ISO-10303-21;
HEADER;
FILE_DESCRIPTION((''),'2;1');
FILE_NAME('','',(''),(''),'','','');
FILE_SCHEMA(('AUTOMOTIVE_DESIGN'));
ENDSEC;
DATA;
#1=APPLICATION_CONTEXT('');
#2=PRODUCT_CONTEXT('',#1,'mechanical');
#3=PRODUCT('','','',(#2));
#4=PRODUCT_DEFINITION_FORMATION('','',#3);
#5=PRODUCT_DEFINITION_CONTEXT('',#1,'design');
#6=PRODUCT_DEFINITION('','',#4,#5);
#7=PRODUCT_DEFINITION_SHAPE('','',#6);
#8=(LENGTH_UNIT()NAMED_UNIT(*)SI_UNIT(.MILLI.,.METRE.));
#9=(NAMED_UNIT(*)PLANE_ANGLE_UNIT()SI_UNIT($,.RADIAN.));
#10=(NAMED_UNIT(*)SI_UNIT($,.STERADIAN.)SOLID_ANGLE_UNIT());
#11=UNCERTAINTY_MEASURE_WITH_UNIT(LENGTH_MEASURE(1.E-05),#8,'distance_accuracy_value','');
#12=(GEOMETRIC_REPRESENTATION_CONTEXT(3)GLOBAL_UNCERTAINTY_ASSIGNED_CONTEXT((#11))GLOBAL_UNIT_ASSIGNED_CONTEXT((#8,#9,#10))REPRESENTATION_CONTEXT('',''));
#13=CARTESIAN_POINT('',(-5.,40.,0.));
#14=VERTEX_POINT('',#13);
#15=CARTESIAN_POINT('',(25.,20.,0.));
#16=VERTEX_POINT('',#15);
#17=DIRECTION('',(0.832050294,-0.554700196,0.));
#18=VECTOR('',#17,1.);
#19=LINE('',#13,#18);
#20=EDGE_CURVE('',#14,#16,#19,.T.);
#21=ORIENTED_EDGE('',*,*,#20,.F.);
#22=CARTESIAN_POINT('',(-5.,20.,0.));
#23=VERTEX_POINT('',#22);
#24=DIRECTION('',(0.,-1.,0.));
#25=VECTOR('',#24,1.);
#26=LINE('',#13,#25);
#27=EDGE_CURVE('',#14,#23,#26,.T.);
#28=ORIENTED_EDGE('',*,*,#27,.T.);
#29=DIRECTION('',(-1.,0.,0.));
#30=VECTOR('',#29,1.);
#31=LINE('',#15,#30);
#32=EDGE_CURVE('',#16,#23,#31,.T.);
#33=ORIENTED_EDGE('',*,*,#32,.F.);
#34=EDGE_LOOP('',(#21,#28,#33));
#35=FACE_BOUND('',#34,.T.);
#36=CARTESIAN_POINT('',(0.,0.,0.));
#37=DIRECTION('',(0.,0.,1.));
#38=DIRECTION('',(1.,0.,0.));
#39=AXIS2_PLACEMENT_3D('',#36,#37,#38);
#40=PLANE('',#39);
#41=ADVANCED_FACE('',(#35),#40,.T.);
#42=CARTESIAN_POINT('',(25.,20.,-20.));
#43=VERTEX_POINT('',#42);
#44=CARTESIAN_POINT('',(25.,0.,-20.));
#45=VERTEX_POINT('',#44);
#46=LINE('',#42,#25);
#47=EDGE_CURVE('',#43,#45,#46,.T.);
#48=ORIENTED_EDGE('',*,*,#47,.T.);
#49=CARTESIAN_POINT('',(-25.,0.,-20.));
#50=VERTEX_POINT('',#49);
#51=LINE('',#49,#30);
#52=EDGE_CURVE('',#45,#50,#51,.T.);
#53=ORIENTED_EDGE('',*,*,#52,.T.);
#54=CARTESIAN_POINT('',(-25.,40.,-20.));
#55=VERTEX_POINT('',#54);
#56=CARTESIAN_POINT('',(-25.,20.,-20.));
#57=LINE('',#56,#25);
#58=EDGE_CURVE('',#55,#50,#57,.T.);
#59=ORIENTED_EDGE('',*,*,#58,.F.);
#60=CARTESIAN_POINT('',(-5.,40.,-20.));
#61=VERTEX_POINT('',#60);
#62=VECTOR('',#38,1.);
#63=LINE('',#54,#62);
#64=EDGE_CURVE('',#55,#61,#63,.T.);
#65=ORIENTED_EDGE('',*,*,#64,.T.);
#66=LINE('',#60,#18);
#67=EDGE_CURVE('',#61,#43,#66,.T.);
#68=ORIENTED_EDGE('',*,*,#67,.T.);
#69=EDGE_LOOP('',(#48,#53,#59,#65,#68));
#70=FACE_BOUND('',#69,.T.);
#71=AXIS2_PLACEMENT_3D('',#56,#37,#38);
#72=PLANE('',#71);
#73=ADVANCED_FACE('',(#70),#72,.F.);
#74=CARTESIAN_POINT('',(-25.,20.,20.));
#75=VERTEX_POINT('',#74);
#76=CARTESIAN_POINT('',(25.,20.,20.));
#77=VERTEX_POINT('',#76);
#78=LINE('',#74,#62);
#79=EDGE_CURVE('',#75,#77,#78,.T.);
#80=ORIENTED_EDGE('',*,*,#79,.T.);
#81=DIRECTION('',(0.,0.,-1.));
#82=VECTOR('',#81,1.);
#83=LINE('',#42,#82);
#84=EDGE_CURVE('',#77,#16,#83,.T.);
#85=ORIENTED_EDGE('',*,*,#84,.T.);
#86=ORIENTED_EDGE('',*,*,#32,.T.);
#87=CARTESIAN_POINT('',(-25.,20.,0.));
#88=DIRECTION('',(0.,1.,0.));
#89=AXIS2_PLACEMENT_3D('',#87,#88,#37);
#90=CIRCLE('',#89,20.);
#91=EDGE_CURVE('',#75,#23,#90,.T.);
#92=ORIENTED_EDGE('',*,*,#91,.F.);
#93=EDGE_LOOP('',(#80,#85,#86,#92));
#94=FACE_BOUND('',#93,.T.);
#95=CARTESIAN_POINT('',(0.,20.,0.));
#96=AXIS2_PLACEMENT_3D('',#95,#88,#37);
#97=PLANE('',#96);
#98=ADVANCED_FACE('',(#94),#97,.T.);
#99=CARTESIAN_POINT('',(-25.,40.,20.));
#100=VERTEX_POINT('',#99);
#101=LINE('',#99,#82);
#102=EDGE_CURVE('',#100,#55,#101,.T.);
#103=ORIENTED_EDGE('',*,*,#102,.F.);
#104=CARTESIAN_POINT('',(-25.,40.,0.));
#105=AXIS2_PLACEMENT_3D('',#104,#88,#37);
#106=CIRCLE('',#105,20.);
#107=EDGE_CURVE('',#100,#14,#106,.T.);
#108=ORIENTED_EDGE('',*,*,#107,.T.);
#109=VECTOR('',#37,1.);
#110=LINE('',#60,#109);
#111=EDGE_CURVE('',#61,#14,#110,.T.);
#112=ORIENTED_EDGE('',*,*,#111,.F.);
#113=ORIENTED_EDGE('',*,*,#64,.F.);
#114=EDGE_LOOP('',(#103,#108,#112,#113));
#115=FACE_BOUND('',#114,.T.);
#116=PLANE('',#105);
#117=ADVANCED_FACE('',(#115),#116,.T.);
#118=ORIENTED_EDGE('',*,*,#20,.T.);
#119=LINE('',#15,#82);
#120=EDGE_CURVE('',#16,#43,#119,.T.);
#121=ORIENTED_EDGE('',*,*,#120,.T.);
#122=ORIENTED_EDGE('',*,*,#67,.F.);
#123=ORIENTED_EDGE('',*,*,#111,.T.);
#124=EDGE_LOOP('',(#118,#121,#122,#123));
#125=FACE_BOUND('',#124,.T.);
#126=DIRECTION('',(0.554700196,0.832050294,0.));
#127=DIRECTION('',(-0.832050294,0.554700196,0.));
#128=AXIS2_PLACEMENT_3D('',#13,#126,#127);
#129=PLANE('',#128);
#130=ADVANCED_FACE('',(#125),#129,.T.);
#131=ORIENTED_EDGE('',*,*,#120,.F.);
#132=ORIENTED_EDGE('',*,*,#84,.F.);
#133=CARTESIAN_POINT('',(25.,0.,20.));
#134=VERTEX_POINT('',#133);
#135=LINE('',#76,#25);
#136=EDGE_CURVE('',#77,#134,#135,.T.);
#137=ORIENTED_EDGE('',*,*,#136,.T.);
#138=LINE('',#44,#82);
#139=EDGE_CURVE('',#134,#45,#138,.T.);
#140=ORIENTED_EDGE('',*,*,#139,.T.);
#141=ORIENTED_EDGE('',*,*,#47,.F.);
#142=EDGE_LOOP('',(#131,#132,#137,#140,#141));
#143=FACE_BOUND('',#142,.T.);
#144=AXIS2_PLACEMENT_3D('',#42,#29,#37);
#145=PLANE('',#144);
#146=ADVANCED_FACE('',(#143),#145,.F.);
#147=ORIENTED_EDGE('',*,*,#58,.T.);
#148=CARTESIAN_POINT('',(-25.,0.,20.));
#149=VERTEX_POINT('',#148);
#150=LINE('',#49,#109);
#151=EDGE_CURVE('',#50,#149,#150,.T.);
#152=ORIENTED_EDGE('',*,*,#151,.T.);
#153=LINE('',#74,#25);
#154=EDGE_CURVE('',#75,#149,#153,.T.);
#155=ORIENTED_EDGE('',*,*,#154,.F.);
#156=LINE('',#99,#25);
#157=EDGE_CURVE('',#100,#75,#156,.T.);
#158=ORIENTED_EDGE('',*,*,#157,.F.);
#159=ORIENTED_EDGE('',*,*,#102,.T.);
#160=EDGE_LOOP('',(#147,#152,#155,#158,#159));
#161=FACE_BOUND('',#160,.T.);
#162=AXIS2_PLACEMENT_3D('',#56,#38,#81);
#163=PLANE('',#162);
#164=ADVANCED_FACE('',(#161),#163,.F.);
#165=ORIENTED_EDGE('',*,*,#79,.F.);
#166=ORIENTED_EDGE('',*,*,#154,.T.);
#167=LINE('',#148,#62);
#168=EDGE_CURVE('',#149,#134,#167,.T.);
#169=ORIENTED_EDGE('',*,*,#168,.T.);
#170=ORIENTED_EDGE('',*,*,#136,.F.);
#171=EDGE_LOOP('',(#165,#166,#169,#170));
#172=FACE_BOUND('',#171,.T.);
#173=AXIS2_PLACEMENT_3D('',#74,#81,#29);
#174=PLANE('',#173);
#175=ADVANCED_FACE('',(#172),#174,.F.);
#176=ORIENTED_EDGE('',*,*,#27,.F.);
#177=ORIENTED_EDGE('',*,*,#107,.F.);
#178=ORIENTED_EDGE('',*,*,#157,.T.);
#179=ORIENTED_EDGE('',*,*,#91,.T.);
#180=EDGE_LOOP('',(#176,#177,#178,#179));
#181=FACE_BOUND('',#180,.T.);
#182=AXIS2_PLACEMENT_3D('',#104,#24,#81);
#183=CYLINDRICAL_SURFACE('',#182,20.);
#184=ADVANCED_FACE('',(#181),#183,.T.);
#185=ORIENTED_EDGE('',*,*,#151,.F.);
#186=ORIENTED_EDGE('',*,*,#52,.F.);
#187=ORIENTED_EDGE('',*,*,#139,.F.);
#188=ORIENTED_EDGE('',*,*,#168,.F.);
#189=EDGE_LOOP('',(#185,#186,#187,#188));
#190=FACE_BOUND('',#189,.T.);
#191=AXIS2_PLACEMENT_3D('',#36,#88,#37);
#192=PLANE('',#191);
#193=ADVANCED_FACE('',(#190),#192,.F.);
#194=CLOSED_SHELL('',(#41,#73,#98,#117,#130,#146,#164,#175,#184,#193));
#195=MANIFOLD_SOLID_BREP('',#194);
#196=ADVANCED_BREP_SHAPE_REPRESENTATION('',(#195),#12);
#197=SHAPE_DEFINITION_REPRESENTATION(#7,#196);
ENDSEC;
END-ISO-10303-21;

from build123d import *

# Parameters (mm, degrees)
SKETCH1_W           = 50
SKETCH1_H           = 40
BOSS_EXTRUDE1_DEPTH = 20
BOSS_EXTRUDE2_DEPTH = 20
BOSS_EXTRUDE3_DEPTH = 20


with BuildPart() as part:
    # Sketch1 → Boss-Extrude1 (new body)
    with BuildSketch(Plane(origin=(0, 0, 0), x_dir=(1, 0, 0), z_dir=(0, 1, 0))):
        Rectangle(SKETCH1_W, SKETCH1_H)
    extrude(amount=BOSS_EXTRUDE1_DEPTH)

    # Sketch2 → Boss-Extrude2 (add)
    with BuildSketch(Plane(origin=(0, 20, 0), x_dir=(1, 0, 0), z_dir=(0, 1, 0))):
        with BuildLine():
            Line((-25, 20), (-5, 20))
            Line((-5, 20), (-5, 0))
            ThreePointArc((-5, 0), (-10.857864376, -14.142135624), (-25, -20))
            Line((-25, -20), (-25, 20))
        make_face()
    extrude(amount=BOSS_EXTRUDE2_DEPTH)

    # Sketch3 → Boss-Extrude3 (add)
    with BuildSketch(Plane(origin=(0, 0, -20), x_dir=(-1, 0, 0), z_dir=(0, 0, -1))):
        Polygon((5, 40), (-25, 20), (5, 20), align=None)
    extrude(amount=-BOSS_EXTRUDE3_DEPTH)


solid = part.part
